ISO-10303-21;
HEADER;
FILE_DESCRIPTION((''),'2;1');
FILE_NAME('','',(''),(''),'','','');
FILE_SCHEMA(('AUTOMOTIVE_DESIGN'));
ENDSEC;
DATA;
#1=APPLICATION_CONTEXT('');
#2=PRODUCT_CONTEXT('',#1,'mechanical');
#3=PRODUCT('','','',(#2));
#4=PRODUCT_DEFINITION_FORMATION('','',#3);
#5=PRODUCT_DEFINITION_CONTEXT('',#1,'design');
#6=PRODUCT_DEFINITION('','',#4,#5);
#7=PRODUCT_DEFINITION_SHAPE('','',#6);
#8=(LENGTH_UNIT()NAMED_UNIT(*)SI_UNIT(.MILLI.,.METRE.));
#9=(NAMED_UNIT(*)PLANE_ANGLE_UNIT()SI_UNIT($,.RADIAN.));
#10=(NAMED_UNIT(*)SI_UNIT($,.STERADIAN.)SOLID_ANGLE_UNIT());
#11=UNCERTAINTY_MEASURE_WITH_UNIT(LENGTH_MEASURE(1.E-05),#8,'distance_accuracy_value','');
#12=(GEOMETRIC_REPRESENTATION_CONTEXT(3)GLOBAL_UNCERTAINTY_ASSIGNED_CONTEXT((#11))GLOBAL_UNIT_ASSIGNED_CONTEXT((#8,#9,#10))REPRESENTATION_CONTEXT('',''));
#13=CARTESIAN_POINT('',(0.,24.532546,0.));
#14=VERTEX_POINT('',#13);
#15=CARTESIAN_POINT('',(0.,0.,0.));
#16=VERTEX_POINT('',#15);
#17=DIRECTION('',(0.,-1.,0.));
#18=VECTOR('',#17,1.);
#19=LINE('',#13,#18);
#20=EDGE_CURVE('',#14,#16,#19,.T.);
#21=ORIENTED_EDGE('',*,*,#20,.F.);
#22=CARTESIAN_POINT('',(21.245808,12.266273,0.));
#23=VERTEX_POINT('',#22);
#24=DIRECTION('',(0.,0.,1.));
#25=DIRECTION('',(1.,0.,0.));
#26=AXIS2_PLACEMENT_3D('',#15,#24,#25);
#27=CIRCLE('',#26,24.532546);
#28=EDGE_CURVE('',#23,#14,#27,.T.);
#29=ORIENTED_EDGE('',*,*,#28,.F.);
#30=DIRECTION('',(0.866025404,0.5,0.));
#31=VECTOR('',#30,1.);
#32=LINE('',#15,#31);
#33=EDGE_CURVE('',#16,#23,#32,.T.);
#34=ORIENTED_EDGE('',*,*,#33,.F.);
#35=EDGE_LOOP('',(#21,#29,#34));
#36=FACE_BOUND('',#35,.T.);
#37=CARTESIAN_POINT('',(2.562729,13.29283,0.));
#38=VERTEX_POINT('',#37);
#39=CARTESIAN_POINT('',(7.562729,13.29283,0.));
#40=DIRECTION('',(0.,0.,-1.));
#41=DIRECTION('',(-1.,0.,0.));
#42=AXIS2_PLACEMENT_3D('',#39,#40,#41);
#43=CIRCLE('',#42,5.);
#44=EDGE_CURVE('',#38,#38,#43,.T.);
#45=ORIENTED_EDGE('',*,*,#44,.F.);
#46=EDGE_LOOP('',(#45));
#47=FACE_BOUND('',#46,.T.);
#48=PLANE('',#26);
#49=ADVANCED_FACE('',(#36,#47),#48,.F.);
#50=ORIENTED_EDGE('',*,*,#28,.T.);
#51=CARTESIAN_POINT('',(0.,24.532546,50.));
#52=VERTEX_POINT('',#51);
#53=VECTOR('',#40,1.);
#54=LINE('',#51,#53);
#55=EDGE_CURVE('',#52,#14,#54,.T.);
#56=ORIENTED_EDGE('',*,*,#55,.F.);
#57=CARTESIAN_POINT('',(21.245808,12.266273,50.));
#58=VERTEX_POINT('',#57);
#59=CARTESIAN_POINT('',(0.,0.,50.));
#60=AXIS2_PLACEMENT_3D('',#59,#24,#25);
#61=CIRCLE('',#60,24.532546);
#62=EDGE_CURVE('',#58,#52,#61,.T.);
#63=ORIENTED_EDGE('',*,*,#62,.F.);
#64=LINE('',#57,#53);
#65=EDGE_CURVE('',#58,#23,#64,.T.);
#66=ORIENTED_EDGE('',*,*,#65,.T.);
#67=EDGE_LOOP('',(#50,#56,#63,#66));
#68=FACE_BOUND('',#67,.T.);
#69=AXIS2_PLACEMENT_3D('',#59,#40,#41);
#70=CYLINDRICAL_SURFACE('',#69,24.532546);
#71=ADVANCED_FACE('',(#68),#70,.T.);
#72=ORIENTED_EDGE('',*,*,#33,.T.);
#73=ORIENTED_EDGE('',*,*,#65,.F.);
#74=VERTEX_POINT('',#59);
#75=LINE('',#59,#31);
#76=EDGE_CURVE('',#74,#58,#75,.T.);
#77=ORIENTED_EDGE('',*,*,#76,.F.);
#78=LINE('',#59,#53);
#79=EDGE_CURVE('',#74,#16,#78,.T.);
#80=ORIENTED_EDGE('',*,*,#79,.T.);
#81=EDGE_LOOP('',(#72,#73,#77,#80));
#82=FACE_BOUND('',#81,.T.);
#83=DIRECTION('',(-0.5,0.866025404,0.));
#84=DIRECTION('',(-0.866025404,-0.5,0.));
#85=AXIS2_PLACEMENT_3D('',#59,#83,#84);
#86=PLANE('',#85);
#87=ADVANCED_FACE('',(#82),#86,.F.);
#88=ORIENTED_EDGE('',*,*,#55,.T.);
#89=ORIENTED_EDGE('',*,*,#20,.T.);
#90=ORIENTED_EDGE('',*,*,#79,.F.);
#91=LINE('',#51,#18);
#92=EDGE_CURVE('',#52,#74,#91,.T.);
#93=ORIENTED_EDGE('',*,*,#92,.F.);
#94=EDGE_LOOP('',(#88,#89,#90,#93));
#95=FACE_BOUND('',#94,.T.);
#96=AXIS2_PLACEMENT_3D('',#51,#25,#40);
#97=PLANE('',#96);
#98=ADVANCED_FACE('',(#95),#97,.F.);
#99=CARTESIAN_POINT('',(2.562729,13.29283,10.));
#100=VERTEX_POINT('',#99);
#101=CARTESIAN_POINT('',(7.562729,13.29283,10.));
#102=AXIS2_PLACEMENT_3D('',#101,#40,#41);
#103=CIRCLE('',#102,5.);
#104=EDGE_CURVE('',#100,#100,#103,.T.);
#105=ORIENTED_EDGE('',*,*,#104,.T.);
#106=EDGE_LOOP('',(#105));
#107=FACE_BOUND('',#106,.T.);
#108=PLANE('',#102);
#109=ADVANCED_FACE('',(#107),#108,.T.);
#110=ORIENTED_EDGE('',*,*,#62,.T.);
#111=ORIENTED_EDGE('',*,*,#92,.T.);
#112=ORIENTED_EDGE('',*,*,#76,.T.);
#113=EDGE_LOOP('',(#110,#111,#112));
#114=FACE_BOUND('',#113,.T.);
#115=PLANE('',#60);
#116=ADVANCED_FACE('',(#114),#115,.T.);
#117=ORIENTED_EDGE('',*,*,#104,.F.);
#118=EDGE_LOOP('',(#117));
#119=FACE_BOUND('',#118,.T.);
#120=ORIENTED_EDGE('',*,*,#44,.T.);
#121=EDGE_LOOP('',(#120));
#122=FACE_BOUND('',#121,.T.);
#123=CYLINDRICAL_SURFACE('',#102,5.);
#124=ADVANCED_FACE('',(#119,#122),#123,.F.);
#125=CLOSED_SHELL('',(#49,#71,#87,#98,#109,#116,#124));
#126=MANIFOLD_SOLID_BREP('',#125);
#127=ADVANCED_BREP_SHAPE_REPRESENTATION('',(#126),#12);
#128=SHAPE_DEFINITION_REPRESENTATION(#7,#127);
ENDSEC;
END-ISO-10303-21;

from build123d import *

# Parameters (mm, degrees)
SALIENTE_EXTRUIR1_DEPTH = 50
CROQUIS2_R              = 5
CORTAR_EXTRUIR1_DEPTH   = 10


with BuildPart() as part:
    # Croquis1 → Saliente-Extruir1 (new body)
    with BuildSketch(Plane.XY):
        with BuildLine():
            Line((0, 24.532546265), (0, 0))
            Line((0, 0), (21.245808285, 12.266273133))
            ThreePointArc((21.245808285, 12.266273133), (12.266273133, 21.245808285), (0, 24.532546265))
        make_face()
    extrude(amount=SALIENTE_EXTRUIR1_DEPTH)

    # Croquis2 → Cortar-Extruir1 (cut)
    with BuildSketch(Plane(origin=(0, 0, 0), x_dir=(-1, 0, 0), z_dir=(0, 0, -1))):
        with Locations((-7.562728949, 13.292829801)):
            Circle(CROQUIS2_R)
    extrude(amount=-CORTAR_EXTRUIR1_DEPTH, mode=Mode.SUBTRACT)


solid = part.part
